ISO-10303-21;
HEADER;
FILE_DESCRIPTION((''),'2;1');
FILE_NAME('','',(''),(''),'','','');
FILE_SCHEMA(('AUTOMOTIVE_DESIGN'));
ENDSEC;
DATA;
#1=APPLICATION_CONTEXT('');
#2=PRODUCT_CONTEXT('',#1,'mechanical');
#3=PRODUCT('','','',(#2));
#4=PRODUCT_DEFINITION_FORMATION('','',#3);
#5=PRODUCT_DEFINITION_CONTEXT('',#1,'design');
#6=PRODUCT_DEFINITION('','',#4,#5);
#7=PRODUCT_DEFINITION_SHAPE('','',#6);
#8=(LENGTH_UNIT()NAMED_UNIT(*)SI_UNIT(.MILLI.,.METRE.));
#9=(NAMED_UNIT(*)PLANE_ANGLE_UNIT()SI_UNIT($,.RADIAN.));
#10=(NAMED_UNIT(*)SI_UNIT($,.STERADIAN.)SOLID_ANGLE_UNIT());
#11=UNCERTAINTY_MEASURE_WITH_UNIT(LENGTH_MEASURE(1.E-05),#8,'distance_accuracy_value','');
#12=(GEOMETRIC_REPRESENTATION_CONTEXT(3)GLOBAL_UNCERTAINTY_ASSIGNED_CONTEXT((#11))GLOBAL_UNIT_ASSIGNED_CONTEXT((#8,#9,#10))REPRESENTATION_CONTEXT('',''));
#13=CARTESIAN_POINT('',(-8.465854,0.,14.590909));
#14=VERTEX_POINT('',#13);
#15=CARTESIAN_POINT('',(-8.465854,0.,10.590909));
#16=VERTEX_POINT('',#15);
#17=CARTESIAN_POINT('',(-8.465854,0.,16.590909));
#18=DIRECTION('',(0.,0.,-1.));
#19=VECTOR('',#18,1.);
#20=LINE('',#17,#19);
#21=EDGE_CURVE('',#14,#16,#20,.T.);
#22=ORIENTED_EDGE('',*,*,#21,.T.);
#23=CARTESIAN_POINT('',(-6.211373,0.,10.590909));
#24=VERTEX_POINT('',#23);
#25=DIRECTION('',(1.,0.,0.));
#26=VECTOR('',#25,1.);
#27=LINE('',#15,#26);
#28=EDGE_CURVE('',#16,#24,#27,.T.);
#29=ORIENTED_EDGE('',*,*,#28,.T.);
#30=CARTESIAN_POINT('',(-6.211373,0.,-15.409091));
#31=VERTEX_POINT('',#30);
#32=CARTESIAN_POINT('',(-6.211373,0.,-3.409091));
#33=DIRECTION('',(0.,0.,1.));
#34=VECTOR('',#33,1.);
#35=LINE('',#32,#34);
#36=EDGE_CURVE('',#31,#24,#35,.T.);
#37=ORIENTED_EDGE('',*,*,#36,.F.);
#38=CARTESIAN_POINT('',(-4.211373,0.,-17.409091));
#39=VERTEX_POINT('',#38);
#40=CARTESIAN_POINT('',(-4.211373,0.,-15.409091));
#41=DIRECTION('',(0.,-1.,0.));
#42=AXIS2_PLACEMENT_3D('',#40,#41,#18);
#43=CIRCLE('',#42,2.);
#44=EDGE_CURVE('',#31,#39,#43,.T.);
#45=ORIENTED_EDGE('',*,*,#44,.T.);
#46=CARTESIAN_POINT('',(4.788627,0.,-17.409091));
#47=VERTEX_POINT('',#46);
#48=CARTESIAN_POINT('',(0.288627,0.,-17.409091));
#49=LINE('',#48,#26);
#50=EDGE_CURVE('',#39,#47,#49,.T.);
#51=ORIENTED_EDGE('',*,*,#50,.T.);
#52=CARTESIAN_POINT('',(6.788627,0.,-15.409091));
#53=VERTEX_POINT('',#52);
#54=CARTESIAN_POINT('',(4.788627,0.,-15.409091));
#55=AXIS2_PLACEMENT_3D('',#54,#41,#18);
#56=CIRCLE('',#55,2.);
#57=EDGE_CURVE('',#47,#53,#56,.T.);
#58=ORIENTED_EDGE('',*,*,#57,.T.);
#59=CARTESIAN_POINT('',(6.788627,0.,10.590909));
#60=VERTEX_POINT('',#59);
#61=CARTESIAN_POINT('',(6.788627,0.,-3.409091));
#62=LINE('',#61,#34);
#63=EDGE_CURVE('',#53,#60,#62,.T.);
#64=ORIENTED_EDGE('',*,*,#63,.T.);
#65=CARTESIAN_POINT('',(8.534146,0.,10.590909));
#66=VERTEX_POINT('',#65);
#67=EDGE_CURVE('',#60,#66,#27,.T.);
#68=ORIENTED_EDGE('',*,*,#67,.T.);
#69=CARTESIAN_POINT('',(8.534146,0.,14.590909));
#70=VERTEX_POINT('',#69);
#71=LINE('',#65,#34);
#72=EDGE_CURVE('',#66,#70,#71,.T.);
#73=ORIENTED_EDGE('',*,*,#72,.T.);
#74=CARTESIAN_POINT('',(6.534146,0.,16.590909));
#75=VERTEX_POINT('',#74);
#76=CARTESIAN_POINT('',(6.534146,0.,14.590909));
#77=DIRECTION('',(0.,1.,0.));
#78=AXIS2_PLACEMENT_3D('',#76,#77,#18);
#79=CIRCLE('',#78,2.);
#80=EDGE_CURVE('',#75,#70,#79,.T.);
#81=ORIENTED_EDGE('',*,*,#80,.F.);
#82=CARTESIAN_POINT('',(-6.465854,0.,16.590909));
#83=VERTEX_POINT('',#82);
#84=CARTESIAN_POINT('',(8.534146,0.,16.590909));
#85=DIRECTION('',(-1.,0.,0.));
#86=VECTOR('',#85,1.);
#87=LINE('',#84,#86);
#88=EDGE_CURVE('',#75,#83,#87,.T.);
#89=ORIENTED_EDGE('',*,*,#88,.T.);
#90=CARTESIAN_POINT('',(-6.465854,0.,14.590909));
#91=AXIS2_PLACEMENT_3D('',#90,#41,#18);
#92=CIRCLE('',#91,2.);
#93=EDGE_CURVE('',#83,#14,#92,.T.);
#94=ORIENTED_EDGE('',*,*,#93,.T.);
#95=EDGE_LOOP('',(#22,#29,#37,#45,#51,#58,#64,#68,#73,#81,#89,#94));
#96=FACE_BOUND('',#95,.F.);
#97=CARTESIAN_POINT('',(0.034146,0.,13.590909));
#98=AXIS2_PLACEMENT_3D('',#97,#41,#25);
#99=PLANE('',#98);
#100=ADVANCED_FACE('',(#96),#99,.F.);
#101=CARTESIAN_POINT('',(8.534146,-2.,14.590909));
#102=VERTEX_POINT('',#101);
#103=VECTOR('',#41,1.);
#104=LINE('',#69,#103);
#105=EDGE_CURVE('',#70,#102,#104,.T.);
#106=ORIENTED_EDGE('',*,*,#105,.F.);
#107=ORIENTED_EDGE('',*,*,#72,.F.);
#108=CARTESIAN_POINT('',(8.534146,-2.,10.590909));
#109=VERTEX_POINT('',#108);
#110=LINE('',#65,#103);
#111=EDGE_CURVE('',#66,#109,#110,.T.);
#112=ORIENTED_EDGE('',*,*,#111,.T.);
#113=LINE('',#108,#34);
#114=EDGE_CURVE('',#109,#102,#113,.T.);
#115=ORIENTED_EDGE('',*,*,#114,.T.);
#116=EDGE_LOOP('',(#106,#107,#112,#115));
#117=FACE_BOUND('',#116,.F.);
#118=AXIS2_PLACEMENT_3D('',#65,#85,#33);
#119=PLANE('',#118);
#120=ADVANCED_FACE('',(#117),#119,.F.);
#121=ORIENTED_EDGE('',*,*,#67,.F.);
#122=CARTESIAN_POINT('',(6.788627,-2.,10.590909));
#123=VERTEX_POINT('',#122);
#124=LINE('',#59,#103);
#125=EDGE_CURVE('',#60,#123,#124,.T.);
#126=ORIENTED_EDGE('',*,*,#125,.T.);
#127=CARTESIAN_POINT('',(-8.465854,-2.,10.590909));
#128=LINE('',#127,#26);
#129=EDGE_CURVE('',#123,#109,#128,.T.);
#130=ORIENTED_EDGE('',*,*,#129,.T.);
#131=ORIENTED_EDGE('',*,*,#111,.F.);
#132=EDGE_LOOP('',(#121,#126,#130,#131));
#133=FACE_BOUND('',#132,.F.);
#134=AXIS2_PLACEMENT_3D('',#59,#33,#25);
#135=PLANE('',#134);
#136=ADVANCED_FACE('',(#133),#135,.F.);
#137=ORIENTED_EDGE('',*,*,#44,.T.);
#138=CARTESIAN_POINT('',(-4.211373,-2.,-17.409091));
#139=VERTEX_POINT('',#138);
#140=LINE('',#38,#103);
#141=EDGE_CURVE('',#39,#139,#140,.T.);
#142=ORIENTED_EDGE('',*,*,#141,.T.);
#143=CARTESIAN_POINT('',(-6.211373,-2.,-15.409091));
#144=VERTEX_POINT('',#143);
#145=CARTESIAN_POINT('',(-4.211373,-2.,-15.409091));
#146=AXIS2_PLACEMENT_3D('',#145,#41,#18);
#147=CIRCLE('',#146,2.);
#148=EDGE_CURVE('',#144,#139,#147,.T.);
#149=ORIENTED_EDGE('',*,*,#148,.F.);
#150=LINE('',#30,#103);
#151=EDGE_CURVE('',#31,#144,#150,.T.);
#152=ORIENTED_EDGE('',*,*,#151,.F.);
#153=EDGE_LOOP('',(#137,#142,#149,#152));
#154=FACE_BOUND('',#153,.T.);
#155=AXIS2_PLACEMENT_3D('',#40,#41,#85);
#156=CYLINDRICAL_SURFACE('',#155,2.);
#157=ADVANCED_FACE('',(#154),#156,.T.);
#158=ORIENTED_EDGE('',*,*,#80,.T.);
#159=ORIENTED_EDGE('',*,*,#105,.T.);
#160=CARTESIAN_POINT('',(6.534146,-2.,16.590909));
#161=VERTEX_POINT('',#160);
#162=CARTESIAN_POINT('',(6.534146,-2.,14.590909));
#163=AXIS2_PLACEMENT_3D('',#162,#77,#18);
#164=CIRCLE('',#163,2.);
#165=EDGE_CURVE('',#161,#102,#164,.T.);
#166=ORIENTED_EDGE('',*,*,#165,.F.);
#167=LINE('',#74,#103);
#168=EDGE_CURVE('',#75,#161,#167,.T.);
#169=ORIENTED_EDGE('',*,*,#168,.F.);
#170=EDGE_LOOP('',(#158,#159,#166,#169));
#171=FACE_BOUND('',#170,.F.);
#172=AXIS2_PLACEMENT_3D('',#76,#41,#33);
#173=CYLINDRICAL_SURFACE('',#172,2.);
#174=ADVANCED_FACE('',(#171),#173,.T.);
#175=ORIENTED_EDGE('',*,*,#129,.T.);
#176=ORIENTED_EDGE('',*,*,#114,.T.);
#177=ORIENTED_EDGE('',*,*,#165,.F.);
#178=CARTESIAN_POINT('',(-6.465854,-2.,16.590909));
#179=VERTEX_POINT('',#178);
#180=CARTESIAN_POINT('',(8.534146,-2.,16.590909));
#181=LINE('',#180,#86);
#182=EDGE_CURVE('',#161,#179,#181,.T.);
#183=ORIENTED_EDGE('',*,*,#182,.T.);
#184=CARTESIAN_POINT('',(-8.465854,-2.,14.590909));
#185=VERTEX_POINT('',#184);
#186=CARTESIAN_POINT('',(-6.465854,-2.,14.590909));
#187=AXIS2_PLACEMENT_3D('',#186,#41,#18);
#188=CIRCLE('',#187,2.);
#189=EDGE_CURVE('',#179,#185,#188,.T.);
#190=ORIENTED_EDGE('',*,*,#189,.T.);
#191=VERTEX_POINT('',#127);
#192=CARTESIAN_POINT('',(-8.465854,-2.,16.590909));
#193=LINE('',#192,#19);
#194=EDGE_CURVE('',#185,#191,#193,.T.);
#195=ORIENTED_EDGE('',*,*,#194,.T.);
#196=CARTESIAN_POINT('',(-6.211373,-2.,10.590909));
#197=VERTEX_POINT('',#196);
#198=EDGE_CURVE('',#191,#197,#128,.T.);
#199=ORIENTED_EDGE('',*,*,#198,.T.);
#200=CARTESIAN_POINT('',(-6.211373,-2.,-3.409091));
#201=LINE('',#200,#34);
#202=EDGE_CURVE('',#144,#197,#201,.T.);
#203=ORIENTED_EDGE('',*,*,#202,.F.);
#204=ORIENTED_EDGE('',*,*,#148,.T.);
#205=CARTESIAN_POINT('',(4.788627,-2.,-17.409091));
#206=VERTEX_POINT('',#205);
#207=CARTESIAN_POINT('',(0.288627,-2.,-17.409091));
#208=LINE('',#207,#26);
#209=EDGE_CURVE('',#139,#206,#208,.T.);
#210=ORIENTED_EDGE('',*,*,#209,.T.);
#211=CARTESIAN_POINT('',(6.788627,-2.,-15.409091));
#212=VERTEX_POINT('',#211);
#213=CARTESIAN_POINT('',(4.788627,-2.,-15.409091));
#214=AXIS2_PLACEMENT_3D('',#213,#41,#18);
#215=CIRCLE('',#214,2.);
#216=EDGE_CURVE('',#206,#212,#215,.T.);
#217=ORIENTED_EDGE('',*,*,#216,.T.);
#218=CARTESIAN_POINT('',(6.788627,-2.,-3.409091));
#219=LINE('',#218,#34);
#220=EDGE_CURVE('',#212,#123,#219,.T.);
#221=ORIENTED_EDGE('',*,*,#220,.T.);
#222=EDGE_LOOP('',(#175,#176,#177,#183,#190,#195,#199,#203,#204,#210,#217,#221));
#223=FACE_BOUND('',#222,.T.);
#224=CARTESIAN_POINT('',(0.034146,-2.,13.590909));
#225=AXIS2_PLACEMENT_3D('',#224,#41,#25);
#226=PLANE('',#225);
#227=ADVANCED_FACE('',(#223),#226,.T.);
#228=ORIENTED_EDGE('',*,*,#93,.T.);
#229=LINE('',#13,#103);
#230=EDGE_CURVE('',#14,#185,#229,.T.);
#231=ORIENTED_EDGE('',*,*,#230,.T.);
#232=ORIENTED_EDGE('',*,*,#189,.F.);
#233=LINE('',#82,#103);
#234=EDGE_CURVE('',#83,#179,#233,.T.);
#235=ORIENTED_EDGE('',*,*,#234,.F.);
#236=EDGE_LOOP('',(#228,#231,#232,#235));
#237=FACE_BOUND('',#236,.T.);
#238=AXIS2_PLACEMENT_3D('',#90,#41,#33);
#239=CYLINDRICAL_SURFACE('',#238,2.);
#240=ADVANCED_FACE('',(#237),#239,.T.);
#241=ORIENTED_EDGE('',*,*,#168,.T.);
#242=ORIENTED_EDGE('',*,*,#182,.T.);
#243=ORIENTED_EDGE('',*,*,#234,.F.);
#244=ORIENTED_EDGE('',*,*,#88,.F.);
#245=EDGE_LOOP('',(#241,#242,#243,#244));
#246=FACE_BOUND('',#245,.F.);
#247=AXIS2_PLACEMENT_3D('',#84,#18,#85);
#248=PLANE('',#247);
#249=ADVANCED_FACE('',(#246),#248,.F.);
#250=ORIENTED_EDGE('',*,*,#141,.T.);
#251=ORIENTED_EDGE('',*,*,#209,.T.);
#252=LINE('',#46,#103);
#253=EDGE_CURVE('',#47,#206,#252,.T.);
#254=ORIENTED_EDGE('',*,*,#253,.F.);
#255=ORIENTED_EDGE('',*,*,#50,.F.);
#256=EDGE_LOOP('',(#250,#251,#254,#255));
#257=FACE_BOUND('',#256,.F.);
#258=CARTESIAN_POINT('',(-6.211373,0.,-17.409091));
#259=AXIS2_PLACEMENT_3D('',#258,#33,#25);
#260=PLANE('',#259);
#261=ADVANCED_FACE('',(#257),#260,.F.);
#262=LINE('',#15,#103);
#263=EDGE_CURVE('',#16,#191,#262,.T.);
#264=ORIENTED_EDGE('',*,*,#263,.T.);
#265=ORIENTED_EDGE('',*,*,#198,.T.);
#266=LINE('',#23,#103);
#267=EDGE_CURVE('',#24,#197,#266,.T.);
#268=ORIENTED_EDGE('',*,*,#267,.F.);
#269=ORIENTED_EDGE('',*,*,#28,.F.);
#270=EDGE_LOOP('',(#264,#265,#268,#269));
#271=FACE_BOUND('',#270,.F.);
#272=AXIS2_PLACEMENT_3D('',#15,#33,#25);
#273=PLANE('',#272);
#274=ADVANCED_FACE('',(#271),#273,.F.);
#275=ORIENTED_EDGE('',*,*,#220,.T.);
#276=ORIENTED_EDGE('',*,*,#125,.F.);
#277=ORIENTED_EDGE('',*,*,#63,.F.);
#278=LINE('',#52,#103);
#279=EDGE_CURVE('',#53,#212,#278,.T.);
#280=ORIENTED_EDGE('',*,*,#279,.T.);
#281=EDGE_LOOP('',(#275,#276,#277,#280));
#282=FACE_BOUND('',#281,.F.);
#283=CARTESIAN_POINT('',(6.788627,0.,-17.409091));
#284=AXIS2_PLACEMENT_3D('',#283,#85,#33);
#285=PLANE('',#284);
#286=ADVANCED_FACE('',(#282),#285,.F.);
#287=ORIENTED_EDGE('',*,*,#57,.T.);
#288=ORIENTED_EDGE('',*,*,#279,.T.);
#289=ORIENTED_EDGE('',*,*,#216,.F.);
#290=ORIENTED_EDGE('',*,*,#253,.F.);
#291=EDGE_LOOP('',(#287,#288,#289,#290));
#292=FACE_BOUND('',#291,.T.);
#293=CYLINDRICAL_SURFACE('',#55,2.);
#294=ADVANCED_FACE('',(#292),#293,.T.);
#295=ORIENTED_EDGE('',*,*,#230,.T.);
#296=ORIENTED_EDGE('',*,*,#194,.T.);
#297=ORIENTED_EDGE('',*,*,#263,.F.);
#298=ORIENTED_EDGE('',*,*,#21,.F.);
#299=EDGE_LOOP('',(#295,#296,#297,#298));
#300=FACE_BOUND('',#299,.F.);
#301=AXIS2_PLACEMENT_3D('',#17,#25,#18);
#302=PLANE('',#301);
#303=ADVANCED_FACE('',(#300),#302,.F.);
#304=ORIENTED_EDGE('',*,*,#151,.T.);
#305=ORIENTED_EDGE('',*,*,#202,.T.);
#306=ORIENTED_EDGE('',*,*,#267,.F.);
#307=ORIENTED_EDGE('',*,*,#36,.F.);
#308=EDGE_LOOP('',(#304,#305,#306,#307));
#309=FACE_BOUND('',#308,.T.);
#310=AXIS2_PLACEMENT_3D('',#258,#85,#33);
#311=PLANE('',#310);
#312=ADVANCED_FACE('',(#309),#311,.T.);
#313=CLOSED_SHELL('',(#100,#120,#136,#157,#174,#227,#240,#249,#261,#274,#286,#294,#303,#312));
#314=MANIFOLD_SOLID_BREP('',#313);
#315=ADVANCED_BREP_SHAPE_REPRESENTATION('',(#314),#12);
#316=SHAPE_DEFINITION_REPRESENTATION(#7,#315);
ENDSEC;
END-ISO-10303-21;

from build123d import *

# Parameters (mm, degrees)
F0_W     = 13
F0_H     = 28
F1_DEPTH = 2
F2_R     = 2
F3_R     = 2


with BuildPart() as f1:
    # F0 (on Front) → F1 (new body)
    with BuildSketch(Plane.XZ):
        Polygon((-8.465854, 10.590909), (-6.211373, 10.590909), (6.788627, 10.590909), (8.534146, 10.590909), (8.534146, 16.590909), (-8.465854, 16.590909), align=None)
        with Locations((0.288627, -3.409091)):
            Rectangle(F0_W, F0_H)
    extrude(amount=F1_DEPTH)

    # F2
    f2_edges = [f1.edges().sort_by_distance(p)[0] for p in [
        (-8.465854, -1, 16.590909),
        (-6.211373, -1, -17.409091),
    ]]
    fillet(f2_edges, radius=F2_R)

    # F3
    f3_edges = [f1.edges().sort_by_distance(p)[0] for p in [
        (8.534146, -1, 16.590909),
        (6.788627, -1, -17.409091),
    ]]
    fillet(f3_edges, radius=F3_R)


solid = f1.part
